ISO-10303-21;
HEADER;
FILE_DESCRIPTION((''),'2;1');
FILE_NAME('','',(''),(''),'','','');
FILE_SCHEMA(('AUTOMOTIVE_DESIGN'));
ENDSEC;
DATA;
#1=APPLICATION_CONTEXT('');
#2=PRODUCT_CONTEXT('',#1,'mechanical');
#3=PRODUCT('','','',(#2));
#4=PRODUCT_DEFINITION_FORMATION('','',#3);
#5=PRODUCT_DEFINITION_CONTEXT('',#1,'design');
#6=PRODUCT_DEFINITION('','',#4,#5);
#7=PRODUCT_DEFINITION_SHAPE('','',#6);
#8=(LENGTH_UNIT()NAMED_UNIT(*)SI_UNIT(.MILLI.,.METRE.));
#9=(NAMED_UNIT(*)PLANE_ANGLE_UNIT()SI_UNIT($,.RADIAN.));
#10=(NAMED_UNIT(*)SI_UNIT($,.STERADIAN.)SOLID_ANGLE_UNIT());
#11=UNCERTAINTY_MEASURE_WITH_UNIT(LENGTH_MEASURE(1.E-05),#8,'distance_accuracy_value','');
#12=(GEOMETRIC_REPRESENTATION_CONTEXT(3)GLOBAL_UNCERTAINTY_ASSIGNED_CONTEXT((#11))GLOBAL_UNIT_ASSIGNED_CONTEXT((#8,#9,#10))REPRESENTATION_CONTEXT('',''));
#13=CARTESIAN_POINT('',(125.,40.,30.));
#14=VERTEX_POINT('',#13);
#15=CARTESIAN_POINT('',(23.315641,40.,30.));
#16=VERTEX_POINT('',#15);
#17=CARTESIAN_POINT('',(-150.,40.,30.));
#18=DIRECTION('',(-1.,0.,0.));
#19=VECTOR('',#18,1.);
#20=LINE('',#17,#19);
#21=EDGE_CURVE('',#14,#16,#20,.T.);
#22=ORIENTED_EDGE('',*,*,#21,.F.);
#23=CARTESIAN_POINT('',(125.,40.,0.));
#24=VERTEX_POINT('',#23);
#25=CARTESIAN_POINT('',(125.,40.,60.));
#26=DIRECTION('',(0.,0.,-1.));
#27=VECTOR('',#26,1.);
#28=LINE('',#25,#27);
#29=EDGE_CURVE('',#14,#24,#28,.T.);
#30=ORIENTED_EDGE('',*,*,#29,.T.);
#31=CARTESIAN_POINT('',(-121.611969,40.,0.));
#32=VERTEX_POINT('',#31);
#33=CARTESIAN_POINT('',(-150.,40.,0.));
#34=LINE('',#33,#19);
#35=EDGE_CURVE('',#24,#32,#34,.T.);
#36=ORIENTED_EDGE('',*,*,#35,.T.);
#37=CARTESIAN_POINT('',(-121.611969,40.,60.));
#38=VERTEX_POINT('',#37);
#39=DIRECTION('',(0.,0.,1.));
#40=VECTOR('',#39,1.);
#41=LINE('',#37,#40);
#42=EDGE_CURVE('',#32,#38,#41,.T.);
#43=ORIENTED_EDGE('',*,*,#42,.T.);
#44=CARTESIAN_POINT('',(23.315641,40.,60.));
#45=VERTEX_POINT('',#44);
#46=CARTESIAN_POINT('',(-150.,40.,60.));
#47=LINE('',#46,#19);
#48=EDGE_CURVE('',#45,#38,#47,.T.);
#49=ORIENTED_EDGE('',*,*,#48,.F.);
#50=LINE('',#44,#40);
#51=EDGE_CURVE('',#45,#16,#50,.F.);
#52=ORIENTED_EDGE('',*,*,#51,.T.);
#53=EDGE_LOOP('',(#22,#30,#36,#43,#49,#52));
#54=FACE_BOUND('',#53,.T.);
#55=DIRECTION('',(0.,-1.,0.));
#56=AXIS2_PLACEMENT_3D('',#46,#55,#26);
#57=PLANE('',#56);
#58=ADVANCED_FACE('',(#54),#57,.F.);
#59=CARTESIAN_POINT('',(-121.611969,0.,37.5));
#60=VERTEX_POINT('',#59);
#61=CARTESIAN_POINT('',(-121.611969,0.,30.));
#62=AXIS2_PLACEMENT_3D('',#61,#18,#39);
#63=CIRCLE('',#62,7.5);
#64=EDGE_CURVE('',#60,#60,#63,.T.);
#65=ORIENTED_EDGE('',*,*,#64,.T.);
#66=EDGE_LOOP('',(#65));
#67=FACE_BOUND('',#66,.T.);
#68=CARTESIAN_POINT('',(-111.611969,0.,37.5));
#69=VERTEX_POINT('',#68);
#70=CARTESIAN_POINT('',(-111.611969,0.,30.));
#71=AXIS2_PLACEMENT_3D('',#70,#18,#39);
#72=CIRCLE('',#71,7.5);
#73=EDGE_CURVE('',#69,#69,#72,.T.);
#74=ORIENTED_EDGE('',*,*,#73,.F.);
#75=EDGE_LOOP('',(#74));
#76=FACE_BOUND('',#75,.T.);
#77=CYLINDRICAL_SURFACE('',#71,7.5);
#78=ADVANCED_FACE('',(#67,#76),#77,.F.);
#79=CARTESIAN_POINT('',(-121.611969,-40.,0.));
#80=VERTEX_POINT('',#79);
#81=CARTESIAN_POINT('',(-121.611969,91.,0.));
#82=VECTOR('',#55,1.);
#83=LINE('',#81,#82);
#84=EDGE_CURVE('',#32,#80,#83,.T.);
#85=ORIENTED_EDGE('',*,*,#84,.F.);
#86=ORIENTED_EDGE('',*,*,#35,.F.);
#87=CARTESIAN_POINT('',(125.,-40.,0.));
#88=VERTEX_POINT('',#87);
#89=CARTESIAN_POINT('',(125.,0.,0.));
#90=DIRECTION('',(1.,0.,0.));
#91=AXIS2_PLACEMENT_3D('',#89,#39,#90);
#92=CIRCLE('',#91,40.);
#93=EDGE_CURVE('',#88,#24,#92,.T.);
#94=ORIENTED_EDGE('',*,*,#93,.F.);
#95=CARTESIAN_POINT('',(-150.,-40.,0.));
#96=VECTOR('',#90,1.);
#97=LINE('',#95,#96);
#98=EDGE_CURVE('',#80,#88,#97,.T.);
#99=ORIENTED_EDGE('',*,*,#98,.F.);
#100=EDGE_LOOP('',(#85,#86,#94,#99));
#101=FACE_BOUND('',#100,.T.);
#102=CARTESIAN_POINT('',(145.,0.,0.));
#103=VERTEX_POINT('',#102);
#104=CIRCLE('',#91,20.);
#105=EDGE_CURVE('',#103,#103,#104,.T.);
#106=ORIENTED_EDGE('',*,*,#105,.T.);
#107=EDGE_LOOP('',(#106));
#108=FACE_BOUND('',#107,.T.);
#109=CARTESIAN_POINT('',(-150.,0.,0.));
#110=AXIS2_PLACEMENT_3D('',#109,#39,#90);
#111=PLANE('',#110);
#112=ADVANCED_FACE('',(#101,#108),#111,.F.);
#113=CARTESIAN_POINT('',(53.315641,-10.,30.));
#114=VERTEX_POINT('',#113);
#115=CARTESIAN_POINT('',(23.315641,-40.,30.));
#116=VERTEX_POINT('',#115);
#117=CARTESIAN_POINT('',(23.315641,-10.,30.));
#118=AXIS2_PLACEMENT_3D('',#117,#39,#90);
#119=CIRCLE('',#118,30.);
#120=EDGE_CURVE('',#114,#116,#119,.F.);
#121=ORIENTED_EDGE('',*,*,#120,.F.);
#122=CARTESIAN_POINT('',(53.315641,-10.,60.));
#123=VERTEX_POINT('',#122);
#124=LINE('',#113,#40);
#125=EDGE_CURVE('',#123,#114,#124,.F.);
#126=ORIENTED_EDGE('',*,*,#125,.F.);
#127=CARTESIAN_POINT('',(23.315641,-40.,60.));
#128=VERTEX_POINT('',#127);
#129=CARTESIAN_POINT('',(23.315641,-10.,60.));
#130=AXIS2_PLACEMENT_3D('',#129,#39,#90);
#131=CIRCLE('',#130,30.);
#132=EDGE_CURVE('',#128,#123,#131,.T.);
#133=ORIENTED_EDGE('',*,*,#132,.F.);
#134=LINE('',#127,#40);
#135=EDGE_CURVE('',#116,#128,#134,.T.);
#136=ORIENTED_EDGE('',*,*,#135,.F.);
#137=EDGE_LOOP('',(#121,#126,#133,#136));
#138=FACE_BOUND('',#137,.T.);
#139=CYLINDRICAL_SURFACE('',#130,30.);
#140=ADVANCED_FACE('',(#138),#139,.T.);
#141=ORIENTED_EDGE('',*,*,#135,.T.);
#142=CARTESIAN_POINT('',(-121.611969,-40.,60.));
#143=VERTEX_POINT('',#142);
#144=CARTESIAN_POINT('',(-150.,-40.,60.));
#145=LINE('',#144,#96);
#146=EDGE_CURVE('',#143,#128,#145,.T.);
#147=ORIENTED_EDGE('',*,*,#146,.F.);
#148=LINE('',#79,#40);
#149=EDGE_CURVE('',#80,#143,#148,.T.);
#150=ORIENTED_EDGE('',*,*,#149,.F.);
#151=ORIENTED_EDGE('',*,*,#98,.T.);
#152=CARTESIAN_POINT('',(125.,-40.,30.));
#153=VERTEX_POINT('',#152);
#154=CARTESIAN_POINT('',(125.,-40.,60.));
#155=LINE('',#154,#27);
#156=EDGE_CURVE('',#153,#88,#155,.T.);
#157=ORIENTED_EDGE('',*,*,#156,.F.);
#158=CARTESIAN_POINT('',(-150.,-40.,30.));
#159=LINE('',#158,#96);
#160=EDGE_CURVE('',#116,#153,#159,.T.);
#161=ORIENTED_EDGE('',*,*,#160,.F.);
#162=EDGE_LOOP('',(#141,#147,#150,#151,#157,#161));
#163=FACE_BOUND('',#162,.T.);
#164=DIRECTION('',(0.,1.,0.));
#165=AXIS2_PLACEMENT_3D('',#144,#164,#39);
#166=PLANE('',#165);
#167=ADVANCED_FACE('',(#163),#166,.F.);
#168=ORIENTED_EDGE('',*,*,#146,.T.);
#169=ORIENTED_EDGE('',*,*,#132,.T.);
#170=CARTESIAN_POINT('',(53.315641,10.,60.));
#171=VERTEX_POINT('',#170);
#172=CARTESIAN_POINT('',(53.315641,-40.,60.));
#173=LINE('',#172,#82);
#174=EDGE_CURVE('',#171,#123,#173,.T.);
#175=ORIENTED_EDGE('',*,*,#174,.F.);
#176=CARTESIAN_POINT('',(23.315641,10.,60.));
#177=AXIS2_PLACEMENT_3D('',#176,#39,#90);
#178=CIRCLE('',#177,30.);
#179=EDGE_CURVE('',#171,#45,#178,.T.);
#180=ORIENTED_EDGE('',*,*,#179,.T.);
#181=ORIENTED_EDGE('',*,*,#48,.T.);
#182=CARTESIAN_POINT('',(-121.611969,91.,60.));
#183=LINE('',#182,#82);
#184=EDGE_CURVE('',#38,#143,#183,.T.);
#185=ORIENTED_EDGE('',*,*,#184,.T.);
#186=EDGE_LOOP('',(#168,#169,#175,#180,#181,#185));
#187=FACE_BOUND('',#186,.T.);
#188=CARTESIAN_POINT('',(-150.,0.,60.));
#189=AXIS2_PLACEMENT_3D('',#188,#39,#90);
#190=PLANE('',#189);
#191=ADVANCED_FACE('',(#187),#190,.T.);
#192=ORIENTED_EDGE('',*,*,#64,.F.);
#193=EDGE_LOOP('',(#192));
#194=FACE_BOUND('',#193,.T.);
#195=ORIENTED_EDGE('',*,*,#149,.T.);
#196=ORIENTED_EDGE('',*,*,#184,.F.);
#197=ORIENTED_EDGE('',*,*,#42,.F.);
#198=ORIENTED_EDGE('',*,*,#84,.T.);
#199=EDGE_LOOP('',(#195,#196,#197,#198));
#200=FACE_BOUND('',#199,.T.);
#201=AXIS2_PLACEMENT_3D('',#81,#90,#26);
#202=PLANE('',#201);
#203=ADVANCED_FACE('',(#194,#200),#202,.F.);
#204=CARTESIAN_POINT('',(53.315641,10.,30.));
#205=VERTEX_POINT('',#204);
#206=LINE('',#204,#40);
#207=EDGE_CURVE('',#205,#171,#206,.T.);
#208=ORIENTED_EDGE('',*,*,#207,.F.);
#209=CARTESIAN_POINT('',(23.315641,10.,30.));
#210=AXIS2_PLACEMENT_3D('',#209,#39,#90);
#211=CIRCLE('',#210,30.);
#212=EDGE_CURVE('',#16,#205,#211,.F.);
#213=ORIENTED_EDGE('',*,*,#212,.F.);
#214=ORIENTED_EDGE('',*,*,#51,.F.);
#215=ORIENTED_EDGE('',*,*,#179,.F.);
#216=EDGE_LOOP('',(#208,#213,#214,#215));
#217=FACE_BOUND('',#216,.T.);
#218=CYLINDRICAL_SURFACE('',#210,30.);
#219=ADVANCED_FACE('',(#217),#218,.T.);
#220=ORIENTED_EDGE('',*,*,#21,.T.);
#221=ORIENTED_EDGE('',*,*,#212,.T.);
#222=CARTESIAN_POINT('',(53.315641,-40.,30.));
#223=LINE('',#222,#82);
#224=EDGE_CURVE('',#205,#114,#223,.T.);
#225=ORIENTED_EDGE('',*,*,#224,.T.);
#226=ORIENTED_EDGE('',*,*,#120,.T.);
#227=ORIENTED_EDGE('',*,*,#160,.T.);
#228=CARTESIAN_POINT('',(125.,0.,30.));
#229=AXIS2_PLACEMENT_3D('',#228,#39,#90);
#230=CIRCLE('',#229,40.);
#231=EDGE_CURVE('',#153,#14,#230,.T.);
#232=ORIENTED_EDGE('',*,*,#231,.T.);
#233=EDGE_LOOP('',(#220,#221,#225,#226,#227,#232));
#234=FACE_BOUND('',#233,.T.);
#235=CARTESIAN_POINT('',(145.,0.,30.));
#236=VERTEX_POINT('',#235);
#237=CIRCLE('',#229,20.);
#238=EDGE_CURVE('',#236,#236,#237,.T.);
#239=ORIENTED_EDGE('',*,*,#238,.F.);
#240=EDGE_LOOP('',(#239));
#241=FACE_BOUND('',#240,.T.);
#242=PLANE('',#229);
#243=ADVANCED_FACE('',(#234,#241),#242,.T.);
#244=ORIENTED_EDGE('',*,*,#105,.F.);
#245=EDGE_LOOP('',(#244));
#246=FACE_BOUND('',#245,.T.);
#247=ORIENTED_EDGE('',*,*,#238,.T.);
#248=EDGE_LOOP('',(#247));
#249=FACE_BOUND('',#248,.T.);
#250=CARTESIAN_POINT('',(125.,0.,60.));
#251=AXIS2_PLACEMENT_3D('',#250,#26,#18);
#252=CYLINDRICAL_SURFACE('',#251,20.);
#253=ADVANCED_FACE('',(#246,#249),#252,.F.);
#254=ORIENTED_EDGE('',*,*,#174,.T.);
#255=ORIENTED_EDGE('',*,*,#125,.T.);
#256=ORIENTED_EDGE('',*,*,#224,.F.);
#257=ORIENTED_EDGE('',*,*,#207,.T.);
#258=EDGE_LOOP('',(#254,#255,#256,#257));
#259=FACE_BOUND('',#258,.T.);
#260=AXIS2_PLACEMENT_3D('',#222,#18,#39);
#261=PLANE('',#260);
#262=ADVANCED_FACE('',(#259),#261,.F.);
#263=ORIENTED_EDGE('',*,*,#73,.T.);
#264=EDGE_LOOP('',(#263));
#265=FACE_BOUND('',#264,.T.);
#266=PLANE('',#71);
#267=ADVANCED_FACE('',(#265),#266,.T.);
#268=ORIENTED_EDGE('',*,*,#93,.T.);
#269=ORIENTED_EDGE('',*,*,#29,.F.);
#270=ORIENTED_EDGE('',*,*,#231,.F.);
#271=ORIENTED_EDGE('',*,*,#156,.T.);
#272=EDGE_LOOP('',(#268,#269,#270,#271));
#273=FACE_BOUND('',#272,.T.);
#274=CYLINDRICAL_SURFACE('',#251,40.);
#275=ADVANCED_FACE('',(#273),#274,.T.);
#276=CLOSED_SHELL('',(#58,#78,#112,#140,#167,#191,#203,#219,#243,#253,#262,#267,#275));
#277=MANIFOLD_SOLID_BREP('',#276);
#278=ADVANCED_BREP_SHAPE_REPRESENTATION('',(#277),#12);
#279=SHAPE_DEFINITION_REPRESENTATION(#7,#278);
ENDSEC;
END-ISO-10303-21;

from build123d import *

# Parameters (mm, degrees)
SKETCH1_R           = 20
BOSS_EXTRUDE1_DEPTH = 60
SKETCH2_R           = 45
CUT_EXTRUDE1_DEPTH  = 30
CUT_EXTRUDE2_DEPTH  = 131
SKETCH4_R           = 7.5
CUT_EXTRUDE3_DEPTH  = 10
SKETCH5_W           = 53.741916818
SKETCH5_H           = 80
CUT_EXTRUDE7_DEPTH  = 30
FILLET1_R           = 30


with BuildPart() as part:
    # Sketch1 → Boss-Extrude1 (new body)
    with BuildSketch(Plane.XY):
        with BuildLine():
            Line((-150, 40), (125, 40))
            ThreePointArc((125, 40), (165, 0), (125, -40))
            Line((125, -40), (-150, -40))
            ThreePointArc((-150, -40), (-190, 0), (-150, 40))
        make_face()
        with Locations((-150, 0)):
            Circle(SKETCH1_R, mode=Mode.SUBTRACT)
        with Locations((125, 0)):
            Circle(SKETCH1_R, mode=Mode.SUBTRACT)
    extrude(amount=BOSS_EXTRUDE1_DEPTH)

    # Sketch2 → Cut-Extrude1 (cut)
    with BuildSketch(Plane.XY.offset(60)):
        with Locations((125, 0)):
            Circle(SKETCH2_R)
    extrude(amount=-CUT_EXTRUDE1_DEPTH, mode=Mode.SUBTRACT)

    # Sketch3 → Cut-Extrude2 (cut)
    with BuildSketch(Plane.XZ.offset(40)):
        Polygon((-150, 60), (-210.17287427, 60), (-210.17287427, 0), (-121.61196852, 0), (-121.61196852, 60), (-130, 60), align=None)
    extrude(amount=-CUT_EXTRUDE2_DEPTH, mode=Mode.SUBTRACT)

    # Sketch4 → Cut-Extrude3 (cut)
    with BuildSketch(Plane.ZY.offset(121.61196852)):
        with Locations((30, 0)):
            Circle(SKETCH4_R)
    extrude(amount=-CUT_EXTRUDE3_DEPTH, mode=Mode.SUBTRACT)

    # Sketch5 → Cut-Extrude7 (cut)
    with BuildSketch(Plane.XY.offset(60)):
        with Locations((80.186599238, 0)):
            Rectangle(SKETCH5_W, SKETCH5_H)
    extrude(amount=-CUT_EXTRUDE7_DEPTH, mode=Mode.SUBTRACT)

    # Fillet1
    fillet1_edges = [part.edges().sort_by_distance(p)[0] for p in [
        (53.315640829, 40, 45),
        (53.315640829, -40, 45),
    ]]
    fillet(fillet1_edges, radius=FILLET1_R)


solid = part.part
